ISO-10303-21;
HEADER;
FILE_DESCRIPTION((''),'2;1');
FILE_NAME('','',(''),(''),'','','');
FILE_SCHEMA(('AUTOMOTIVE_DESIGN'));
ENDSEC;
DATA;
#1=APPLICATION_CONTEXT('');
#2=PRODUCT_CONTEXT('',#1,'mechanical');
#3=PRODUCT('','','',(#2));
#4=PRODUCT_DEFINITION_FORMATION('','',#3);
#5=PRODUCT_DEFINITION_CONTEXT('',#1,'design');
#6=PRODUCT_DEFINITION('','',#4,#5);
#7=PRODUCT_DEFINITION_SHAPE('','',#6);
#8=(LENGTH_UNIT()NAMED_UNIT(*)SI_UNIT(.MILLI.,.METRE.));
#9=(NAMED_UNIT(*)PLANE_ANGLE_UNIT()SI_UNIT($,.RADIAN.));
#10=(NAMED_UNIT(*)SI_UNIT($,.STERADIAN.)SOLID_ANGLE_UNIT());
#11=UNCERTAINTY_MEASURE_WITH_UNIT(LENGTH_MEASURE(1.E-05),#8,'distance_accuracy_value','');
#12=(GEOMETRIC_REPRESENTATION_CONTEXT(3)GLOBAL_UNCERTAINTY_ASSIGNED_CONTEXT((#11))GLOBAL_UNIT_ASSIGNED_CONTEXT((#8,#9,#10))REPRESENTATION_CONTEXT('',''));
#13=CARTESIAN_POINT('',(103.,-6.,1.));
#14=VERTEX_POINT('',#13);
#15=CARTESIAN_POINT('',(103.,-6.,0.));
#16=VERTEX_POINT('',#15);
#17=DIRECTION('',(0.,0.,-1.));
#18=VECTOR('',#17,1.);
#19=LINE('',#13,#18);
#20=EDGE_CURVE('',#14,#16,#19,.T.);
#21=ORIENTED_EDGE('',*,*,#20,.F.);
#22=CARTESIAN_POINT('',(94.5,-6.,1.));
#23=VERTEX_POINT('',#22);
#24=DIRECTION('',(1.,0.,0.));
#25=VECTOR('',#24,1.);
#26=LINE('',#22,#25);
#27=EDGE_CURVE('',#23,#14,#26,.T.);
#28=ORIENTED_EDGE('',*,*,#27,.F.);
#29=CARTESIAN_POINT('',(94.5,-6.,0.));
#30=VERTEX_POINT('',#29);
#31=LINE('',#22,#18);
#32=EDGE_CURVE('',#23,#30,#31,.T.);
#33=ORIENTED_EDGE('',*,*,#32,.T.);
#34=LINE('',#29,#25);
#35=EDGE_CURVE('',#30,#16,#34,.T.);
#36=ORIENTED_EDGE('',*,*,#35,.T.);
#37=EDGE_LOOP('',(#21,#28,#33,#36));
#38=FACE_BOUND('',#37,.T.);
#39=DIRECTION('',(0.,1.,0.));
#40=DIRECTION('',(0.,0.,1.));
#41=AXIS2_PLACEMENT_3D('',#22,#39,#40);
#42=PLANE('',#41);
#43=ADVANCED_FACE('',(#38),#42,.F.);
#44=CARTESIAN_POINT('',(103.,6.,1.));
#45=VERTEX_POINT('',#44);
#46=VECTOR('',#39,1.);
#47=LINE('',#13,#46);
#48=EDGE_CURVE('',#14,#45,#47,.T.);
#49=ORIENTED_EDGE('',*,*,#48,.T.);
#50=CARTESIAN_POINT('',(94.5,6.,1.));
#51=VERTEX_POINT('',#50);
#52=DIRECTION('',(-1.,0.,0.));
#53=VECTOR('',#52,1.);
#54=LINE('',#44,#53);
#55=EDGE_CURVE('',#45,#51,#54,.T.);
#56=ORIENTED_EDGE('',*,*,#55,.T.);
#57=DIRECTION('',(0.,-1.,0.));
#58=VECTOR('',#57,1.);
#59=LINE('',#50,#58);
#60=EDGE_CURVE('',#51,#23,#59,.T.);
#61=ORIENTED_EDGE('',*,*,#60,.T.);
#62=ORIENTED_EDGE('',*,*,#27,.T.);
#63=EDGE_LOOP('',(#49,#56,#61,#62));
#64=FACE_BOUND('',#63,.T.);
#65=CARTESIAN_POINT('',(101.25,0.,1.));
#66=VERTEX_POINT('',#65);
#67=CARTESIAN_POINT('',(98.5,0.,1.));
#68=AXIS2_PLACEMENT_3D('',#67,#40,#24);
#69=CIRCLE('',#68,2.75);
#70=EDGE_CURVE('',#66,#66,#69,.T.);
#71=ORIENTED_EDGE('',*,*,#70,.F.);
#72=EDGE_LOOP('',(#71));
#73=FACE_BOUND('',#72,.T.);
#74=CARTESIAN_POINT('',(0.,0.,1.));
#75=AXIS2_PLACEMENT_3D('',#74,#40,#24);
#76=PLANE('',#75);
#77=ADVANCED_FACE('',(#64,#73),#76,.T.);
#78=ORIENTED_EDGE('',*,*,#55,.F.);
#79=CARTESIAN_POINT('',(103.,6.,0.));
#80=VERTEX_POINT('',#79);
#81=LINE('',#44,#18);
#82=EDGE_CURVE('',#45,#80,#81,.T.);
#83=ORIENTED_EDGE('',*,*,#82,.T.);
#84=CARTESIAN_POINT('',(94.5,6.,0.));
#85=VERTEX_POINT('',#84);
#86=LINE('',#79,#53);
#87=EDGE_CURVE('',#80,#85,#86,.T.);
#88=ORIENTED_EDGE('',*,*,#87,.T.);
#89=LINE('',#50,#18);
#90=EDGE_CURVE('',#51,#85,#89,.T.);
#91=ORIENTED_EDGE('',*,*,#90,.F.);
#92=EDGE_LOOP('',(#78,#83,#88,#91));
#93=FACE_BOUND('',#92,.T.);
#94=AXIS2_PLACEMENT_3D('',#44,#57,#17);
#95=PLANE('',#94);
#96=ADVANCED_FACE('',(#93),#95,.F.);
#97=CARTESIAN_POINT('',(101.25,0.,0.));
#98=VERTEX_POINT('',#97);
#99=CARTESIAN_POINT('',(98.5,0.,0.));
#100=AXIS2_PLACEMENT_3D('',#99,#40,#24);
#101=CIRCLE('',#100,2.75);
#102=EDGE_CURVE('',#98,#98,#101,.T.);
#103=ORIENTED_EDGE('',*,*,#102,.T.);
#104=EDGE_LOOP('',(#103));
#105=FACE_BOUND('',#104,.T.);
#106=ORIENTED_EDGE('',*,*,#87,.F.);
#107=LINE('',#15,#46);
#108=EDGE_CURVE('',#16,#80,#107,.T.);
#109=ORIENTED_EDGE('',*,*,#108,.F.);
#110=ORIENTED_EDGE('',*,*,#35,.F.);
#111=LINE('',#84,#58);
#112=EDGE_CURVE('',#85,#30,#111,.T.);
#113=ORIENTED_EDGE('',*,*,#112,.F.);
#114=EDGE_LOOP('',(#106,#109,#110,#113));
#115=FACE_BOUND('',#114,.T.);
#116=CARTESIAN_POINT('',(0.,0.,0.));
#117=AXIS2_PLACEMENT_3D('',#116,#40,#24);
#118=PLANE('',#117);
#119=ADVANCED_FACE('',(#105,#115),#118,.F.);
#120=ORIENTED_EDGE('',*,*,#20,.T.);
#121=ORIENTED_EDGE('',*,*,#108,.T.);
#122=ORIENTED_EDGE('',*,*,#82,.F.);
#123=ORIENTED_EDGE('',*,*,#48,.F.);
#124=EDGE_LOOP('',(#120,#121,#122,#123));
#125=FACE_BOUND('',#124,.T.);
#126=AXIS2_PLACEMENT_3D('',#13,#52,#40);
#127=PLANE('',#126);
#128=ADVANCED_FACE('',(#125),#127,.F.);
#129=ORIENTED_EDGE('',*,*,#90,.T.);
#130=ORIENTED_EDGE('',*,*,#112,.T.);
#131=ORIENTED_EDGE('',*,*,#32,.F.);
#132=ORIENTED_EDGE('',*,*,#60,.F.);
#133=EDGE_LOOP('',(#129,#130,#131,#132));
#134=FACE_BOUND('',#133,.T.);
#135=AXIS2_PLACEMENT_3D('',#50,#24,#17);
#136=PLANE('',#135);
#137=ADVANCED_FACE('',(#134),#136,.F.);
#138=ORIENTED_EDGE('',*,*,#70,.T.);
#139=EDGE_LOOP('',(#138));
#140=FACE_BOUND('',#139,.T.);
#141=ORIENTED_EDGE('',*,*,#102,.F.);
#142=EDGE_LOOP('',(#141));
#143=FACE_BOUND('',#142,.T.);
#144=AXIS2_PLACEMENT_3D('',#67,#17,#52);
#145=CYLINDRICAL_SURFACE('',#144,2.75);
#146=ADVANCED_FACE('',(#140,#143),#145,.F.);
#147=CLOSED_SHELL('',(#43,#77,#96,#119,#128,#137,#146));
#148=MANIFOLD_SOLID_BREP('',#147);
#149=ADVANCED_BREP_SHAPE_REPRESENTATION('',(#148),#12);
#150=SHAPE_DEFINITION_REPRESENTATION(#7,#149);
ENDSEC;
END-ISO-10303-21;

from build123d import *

# Parameters (mm, degrees)
M5_FLOOR_ATTACHMENT_PROFILE_W = 8.5
M5_FLOOR_ATTACHMENT_PROFILE_H = 12
M5_FLOOR_ATTACHMENT_PROFILE_R = 2.75
M5_FLOOR_ATTACHMENT_DEPTH     = 1


with BuildPart() as part:
    # M5 floor attachment profile → M5 floor attachment (new body)
    with BuildSketch(Plane.XY):
        with Locations((98.75, 0)):
            Rectangle(M5_FLOOR_ATTACHMENT_PROFILE_W, M5_FLOOR_ATTACHMENT_PROFILE_H)
        with Locations((98.5, 0)):
            Circle(M5_FLOOR_ATTACHMENT_PROFILE_R, mode=Mode.SUBTRACT)
    extrude(amount=M5_FLOOR_ATTACHMENT_DEPTH)


solid = part.part
